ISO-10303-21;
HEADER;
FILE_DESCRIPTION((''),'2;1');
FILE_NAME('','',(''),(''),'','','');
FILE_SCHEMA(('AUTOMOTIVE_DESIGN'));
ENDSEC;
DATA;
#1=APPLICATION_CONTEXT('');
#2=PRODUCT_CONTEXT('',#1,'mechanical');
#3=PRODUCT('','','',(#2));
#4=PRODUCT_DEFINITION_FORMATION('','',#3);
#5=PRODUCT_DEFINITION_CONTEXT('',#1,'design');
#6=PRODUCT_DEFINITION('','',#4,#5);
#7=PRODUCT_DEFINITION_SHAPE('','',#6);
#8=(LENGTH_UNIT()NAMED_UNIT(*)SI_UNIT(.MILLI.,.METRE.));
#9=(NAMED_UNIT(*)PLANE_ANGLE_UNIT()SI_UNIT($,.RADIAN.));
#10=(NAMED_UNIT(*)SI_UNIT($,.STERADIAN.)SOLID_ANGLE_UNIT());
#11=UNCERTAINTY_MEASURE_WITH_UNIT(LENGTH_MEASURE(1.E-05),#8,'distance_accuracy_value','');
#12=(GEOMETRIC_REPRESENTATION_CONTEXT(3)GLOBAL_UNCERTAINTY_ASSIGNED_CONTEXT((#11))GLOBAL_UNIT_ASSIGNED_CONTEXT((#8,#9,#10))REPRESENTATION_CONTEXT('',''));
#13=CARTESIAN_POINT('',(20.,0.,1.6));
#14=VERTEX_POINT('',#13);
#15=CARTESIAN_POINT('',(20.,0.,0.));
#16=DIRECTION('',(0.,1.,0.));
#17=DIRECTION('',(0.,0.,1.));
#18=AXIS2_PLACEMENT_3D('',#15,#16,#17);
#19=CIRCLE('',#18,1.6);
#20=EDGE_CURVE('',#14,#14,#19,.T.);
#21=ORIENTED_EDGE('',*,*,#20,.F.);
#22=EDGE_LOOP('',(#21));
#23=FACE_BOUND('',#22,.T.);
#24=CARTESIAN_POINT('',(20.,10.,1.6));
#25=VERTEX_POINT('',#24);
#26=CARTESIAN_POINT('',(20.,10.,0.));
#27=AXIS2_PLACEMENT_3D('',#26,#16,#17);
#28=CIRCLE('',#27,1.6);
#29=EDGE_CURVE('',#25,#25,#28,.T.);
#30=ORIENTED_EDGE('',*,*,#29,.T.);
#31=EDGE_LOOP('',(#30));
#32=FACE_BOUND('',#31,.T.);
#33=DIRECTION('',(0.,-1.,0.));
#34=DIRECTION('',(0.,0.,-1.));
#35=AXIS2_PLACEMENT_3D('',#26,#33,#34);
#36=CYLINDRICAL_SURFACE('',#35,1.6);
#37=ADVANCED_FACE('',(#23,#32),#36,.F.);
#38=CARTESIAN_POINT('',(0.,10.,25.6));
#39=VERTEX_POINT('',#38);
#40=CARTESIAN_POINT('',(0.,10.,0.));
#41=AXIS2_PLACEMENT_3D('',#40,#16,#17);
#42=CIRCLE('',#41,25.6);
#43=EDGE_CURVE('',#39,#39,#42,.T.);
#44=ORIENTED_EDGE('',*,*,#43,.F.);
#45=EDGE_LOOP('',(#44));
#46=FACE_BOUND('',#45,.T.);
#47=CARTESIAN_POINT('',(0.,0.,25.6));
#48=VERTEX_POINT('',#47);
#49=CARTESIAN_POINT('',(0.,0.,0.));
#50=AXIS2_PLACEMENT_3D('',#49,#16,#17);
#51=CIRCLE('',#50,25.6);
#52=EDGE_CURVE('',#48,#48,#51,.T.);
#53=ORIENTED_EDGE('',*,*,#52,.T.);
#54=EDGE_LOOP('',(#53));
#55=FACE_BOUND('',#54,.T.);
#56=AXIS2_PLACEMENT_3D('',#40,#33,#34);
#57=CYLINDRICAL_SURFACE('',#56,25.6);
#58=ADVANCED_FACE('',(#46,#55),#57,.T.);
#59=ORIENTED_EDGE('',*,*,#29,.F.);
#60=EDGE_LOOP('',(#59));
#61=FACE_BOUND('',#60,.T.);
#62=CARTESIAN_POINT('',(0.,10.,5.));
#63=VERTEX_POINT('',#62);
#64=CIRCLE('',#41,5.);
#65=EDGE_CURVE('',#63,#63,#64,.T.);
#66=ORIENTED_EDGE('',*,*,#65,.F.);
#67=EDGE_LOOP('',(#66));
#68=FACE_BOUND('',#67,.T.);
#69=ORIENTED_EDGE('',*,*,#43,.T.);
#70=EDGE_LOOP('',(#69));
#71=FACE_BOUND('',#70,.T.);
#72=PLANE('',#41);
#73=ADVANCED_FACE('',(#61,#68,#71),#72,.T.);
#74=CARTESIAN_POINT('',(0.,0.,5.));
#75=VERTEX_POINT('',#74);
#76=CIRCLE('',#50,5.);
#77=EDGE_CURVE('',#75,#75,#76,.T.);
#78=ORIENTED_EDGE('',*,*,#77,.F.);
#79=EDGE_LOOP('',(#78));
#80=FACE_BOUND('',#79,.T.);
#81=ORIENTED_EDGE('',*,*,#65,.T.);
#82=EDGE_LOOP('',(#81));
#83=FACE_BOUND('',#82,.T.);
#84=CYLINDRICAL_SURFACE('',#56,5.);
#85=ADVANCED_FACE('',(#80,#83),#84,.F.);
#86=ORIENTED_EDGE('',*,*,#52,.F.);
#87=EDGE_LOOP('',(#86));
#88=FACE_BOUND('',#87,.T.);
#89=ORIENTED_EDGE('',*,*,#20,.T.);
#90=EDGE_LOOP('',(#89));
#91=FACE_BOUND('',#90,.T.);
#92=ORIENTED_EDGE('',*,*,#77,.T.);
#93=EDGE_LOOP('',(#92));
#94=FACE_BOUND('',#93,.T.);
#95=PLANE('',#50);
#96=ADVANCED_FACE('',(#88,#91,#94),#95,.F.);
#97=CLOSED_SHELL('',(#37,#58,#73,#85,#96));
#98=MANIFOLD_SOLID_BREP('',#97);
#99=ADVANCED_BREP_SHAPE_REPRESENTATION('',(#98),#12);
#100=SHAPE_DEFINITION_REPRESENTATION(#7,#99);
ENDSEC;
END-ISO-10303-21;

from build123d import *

# Parameters (mm, degrees)
SKETCH_1_R      = 25.6
SKETCH_1_R_2    = 1.6
SKETCH_1_R_3    = 5
EXTRUDE_1_DEPTH = 10


with BuildPart() as part:
    # ｽｹｯﾁ1 → ﾎﾞｽ - 押し出し1 (new body)
    with BuildSketch(Plane(origin=(0, 0, 0), x_dir=(1, 0, 0), z_dir=(0, 1, 0))):
        with Locations(Location((0, 0, 0), (0, 0, 270))):
            Circle(SKETCH_1_R)
        with Locations(Location((20, 0, 0), (0, 0, 270))):
            Circle(SKETCH_1_R_2, mode=Mode.SUBTRACT)
        with Locations(Location((0, 0, 0), (0, 0, 270))):
            Circle(SKETCH_1_R_3, mode=Mode.SUBTRACT)
    extrude(amount=EXTRUDE_1_DEPTH)


solid = part.part
